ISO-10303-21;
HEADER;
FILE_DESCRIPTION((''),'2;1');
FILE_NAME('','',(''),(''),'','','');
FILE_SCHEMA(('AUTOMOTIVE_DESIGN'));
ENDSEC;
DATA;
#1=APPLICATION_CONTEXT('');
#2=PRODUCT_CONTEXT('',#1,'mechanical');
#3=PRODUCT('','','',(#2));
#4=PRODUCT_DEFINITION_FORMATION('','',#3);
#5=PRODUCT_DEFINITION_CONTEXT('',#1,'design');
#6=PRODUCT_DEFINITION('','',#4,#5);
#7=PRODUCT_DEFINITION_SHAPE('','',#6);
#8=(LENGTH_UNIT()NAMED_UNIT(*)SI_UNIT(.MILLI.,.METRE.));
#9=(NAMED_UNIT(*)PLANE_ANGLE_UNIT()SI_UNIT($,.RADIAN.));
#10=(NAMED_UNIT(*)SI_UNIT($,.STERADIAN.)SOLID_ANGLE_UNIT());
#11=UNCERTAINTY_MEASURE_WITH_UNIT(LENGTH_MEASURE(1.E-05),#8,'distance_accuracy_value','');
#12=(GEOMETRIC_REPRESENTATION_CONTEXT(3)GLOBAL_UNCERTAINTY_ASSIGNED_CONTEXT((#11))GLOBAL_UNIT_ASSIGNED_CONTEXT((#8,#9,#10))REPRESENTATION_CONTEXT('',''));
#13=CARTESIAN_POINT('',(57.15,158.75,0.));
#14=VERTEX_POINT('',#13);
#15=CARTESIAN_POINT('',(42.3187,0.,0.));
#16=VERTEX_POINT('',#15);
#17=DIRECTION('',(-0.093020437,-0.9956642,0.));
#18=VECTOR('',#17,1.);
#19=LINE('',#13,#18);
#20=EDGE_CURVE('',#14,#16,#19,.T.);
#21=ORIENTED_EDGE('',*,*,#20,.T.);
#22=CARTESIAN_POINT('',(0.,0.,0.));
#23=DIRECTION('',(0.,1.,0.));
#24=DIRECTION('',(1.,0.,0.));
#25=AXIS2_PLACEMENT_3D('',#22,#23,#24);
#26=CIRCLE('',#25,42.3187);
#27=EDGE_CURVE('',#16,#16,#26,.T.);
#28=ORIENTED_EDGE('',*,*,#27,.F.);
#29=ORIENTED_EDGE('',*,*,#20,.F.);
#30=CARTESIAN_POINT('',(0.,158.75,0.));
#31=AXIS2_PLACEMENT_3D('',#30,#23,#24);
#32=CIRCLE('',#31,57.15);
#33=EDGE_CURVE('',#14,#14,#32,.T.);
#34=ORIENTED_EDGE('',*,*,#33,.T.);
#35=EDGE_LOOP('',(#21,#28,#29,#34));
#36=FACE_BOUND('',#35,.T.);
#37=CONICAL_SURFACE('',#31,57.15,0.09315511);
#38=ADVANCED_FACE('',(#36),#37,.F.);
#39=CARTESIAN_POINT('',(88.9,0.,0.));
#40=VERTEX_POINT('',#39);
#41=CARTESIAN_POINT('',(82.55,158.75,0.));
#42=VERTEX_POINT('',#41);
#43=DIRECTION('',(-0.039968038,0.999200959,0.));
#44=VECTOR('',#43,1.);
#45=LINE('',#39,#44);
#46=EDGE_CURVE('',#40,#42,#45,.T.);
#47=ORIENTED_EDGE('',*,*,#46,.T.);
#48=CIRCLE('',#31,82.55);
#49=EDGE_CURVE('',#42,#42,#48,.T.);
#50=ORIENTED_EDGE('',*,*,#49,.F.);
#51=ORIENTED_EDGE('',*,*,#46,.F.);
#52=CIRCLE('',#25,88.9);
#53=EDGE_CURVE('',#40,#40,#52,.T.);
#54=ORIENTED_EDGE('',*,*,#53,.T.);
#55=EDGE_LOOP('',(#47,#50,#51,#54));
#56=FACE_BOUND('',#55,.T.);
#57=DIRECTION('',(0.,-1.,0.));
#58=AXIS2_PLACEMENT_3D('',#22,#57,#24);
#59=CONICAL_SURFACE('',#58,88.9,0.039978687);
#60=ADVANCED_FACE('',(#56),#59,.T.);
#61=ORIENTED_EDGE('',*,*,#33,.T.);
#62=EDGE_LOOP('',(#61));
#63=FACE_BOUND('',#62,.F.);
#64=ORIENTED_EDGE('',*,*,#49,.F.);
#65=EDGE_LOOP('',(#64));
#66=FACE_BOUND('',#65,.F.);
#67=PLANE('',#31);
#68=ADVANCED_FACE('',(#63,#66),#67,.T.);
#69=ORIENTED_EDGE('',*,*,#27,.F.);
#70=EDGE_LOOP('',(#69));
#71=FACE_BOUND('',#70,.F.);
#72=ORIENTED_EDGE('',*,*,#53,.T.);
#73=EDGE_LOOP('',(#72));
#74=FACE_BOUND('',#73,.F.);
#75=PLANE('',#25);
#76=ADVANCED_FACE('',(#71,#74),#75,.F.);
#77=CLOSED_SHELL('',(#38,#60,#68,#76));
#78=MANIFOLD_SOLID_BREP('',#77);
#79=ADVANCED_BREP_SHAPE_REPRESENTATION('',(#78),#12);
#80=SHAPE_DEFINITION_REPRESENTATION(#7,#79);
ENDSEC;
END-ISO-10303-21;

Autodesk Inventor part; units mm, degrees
ref_plane "YZ Plane" through (0, 0, 0) normal (1, 0, 0) x (0, 1, 0)
ref_plane "XZ Plane" through (0, 0, 0) normal (0, 1, 0) x (-1, 0, 0)
ref_plane "XY Plane" through (0, 0, 0) normal (0, 0, 1) x (1, 0, 0)
sketch "Sketch1" plane through (0, 0, 0) normal (0, 0, 1) x (1, 0, 0)
  line L0 (0, 0) -> (0, 236.3219) construction
  line L1 (0, 0) -> (57.15, 0) construction
  line L2 (57.15, 0) -> (57.15, 158.75)
  line L3 (57.15, 158.75) -> (82.55, 158.75)
  line L4 (82.55, 158.75) -> (82.55, 0)
  line L5 (82.55, 0) -> (57.15, 0)
  line L6 (160.21, 0) -> (83.4701, 0)
  line L7 (0, 0) -> (0, 171.9026)
  line L8 (57.15, 158.75) -> (42.3187, 0)
  line L9 (106.8981, 0) -> (42.3187, 0)
  line L10 (57.15, 0) -> (88.9, 0)
  line L11 (88.9, 0) -> (82.55, 158.75)
  point P0 (83.4701, 0)
  point P1 (88.9, 0)
  point P2 (82.55, 0)
  dimension "d0" = 57.15
  dimension "d1" = 158.75
  dimension "d2" = 25.4
  dimension "d4" = 31.75
revolve "Revolution1" add sketch "Sketch1" angle 360 about axis through (0, 0, 0) along (0, 1, 0)
properties part number "Washing Machine Base and Lid"
